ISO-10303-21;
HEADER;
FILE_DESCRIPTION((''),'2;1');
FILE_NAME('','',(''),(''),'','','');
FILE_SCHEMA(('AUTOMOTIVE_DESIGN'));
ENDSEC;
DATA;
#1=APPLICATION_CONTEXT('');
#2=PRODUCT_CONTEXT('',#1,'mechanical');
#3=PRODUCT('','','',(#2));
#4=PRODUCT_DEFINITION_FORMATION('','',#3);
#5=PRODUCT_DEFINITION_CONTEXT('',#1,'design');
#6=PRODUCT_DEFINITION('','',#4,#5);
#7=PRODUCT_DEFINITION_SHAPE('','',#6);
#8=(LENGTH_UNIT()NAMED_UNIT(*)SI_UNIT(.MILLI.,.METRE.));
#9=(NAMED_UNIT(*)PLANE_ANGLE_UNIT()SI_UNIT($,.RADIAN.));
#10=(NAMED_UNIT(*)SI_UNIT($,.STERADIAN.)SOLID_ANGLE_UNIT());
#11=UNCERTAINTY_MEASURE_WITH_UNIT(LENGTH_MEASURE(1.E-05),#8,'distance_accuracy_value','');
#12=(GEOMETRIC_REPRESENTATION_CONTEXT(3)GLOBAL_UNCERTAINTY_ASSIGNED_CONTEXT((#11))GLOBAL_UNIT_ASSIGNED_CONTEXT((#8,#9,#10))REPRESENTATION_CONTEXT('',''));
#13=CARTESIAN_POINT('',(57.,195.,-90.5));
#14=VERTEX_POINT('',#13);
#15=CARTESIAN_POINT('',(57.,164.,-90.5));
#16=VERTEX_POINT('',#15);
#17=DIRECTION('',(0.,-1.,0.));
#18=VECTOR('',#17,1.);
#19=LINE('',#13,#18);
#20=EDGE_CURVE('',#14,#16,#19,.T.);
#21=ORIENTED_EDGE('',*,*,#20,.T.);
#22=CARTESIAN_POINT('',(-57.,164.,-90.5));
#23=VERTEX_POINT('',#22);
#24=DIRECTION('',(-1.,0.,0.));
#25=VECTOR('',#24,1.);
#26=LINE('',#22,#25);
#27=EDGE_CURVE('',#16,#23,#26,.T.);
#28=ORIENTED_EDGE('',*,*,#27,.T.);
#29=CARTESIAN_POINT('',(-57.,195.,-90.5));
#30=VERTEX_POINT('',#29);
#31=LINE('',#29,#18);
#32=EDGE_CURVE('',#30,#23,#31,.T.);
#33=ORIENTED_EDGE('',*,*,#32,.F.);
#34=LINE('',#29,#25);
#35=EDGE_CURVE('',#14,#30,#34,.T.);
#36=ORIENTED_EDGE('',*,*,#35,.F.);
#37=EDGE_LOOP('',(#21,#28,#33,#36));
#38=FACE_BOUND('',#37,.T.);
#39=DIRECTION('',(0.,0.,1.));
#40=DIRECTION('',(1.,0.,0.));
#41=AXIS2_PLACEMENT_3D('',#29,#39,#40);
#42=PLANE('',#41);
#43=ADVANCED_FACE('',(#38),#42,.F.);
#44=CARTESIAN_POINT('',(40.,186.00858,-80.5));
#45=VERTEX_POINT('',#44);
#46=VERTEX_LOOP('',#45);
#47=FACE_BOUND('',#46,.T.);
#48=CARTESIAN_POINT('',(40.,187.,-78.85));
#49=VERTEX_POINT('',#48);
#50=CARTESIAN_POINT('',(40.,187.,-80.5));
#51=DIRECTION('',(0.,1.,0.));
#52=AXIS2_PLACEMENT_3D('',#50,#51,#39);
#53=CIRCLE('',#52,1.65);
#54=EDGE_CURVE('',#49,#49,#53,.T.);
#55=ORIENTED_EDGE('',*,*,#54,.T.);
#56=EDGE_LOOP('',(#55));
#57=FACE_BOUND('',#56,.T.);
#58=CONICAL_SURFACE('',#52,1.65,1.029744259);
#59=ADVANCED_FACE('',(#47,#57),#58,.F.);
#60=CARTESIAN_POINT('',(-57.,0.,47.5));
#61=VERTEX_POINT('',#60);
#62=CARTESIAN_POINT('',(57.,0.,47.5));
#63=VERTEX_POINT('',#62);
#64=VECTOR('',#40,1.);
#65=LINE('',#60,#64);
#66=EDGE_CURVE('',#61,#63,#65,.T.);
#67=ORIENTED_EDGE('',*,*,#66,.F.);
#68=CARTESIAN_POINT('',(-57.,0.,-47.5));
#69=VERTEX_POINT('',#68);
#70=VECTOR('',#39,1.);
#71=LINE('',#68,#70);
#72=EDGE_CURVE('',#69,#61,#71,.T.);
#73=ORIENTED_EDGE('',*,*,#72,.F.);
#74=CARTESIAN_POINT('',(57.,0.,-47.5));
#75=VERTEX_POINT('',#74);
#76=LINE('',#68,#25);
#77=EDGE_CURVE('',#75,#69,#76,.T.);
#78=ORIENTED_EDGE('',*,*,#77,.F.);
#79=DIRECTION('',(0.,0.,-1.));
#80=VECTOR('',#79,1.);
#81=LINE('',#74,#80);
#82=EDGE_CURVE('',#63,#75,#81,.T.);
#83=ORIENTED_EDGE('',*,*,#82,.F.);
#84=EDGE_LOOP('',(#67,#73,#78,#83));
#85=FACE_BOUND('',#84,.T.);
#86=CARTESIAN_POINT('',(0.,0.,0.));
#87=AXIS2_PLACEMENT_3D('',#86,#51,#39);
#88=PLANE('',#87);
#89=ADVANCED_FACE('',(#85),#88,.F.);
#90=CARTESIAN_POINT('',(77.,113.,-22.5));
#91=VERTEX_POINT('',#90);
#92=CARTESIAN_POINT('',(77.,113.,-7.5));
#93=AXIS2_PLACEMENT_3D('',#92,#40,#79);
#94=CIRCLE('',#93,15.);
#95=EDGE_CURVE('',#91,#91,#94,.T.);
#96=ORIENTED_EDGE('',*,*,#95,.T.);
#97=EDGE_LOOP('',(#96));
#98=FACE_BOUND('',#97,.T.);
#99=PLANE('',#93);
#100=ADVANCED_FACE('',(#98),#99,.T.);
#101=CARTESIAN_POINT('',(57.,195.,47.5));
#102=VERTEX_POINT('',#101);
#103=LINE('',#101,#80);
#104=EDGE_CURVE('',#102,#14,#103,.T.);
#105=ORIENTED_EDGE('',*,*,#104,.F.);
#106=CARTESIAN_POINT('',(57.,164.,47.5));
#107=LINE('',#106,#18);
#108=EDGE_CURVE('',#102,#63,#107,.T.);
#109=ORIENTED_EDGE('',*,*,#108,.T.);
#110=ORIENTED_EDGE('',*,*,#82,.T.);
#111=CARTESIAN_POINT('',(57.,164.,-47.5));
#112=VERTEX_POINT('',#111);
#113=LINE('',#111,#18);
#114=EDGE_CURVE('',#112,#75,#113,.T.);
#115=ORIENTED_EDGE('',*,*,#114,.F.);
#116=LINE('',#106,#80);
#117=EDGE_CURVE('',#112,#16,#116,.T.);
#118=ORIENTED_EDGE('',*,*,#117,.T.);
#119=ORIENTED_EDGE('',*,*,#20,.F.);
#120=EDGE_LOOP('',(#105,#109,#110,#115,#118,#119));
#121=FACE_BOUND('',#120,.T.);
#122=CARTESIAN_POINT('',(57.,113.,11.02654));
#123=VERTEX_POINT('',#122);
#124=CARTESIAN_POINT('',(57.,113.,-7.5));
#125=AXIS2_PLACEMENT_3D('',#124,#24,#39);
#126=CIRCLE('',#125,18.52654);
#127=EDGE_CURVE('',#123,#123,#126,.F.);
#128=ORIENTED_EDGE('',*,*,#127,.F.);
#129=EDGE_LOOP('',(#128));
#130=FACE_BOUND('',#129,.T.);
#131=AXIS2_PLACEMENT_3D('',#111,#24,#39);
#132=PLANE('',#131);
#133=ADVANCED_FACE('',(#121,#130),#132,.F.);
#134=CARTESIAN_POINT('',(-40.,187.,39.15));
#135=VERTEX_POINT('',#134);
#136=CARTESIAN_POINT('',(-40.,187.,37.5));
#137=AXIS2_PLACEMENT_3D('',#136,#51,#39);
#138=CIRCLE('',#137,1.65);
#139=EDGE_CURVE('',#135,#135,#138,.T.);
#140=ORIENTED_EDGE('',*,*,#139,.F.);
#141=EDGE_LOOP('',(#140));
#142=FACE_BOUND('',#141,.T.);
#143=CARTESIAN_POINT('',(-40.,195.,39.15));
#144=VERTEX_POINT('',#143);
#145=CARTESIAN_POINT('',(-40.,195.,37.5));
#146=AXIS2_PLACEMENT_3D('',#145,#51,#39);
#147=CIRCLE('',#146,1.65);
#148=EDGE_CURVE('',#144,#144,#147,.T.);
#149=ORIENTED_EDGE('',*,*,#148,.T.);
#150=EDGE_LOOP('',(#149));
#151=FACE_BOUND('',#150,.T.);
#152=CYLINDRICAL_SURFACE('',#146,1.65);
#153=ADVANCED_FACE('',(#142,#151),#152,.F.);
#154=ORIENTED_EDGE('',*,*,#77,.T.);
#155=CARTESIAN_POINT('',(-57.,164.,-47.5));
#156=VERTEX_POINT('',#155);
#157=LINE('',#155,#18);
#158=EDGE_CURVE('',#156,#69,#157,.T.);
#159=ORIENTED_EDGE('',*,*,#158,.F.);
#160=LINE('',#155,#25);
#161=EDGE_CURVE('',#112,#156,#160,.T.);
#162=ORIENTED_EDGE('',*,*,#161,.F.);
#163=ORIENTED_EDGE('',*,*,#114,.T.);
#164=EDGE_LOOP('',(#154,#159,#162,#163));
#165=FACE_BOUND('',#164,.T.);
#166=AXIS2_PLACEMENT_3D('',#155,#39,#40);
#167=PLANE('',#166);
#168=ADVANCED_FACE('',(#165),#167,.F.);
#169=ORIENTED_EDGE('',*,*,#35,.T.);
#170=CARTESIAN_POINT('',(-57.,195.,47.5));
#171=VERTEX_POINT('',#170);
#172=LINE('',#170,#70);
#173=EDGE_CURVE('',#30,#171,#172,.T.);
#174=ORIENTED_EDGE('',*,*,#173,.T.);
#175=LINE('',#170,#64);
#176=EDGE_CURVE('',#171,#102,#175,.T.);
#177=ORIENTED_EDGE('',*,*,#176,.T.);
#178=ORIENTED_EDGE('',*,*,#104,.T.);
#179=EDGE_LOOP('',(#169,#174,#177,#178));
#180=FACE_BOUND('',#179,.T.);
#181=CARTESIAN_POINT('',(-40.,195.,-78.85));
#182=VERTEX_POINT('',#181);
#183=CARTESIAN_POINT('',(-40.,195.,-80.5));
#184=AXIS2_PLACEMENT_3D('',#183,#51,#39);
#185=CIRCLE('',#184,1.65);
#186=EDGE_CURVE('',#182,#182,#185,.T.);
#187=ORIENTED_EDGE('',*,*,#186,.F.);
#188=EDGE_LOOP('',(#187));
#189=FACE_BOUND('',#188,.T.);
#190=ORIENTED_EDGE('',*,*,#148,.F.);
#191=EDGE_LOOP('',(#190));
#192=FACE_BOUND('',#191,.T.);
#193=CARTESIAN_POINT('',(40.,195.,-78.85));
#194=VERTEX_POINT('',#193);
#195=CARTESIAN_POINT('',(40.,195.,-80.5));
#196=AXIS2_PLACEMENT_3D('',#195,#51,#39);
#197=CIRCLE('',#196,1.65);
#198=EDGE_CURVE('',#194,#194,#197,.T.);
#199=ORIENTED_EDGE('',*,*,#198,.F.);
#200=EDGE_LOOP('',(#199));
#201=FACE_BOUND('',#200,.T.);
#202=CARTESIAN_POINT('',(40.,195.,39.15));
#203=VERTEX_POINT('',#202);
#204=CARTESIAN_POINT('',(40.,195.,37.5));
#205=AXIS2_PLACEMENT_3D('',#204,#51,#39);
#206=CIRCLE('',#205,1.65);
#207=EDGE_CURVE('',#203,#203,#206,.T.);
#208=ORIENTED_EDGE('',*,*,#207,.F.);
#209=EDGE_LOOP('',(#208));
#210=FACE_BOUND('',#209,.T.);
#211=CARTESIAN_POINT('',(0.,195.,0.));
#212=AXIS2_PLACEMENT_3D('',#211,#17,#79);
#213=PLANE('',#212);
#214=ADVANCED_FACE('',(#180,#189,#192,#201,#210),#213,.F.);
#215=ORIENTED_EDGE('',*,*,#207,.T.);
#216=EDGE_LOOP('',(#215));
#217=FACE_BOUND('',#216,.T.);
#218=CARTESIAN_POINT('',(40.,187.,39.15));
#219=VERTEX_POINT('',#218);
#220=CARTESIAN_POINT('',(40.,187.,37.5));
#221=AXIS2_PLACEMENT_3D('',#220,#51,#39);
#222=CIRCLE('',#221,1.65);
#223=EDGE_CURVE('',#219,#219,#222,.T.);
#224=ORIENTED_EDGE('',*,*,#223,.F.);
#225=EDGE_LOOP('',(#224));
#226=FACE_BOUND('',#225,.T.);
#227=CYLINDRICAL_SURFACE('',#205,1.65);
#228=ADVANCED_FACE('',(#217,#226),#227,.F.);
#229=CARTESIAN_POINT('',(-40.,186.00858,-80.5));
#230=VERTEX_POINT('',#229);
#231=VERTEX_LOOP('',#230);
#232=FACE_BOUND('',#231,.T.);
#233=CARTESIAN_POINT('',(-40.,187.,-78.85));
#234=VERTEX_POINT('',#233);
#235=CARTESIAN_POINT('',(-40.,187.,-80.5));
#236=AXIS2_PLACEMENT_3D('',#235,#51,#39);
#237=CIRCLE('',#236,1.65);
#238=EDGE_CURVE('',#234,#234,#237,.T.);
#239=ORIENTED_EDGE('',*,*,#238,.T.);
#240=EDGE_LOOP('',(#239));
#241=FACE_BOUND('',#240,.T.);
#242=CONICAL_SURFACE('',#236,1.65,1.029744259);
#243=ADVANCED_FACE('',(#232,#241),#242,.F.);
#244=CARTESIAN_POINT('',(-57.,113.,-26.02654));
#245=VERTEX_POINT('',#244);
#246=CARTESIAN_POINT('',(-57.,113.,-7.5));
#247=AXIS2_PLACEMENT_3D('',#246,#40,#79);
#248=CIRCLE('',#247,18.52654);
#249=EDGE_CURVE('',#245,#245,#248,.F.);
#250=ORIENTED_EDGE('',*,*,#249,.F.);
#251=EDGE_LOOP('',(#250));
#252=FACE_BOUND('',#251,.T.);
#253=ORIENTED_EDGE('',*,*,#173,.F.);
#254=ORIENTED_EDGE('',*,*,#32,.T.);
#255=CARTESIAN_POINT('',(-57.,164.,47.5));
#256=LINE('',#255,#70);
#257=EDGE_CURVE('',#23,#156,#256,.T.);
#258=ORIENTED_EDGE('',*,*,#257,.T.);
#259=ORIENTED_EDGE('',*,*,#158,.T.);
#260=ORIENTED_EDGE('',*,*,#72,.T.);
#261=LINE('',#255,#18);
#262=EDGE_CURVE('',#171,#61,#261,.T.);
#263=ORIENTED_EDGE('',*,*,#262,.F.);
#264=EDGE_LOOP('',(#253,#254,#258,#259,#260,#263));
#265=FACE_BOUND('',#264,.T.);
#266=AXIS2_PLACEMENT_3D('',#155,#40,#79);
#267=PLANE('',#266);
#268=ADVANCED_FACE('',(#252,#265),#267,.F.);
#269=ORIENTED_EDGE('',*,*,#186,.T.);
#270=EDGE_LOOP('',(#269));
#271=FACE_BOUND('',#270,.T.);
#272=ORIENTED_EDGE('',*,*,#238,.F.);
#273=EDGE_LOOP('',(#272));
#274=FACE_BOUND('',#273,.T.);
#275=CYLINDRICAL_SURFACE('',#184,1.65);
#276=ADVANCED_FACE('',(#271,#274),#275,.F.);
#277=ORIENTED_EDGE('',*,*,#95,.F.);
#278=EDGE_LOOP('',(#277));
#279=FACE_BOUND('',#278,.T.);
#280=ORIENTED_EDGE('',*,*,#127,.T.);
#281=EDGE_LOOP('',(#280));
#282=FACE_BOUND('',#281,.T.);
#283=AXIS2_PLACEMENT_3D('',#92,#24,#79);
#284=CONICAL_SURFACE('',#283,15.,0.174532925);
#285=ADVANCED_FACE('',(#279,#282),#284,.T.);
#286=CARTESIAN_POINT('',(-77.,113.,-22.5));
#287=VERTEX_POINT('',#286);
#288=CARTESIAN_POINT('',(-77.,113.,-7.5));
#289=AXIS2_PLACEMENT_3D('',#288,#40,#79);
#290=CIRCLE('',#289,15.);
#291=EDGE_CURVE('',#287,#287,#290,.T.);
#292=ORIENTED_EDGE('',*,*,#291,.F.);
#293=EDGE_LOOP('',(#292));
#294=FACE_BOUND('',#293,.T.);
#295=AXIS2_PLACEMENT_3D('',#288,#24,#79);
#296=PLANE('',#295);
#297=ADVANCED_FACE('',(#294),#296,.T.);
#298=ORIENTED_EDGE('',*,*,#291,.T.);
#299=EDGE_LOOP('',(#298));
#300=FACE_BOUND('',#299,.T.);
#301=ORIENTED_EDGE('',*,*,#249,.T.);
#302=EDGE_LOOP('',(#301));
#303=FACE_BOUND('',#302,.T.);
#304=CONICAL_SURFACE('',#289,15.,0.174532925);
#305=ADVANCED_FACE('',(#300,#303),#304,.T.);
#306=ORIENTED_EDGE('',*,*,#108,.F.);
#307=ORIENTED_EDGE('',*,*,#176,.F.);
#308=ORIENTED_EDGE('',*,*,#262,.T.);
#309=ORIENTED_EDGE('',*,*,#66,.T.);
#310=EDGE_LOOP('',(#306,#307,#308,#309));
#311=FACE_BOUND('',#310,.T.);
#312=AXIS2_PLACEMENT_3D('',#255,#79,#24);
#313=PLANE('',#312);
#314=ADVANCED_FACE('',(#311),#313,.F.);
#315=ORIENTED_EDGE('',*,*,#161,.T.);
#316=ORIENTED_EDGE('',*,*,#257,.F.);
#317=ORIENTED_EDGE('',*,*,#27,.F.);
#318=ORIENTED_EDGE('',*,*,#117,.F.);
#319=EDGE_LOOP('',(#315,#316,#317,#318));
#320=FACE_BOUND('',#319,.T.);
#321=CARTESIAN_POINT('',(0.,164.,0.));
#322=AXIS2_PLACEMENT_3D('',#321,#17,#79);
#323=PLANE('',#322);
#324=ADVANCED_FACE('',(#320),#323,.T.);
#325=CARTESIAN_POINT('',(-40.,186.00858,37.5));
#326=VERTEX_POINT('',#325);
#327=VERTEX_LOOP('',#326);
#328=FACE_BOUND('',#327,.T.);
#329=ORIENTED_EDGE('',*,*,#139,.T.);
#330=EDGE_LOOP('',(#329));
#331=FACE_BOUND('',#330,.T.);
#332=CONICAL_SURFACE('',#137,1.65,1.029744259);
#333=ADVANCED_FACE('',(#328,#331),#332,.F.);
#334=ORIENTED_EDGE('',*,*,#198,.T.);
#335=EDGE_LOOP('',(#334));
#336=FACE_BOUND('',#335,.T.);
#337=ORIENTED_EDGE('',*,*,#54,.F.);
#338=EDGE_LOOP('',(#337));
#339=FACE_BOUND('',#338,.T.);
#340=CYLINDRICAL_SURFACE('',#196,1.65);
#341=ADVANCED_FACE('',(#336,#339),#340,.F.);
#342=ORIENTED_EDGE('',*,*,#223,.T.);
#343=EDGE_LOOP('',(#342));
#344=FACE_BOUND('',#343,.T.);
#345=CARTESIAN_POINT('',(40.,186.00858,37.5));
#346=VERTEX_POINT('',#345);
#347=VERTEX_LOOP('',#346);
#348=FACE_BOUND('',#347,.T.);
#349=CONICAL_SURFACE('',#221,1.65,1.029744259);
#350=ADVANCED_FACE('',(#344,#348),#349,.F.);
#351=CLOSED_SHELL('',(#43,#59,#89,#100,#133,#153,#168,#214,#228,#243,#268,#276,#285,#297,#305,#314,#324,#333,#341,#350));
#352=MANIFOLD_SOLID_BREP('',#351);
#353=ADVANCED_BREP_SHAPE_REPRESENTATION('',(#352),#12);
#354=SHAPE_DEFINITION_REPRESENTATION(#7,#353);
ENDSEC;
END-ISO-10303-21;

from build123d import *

# Parameters (mm, degrees)
SKETCH_1_W                  = 114
SKETCH_1_H                  = 95
EXTRUDE_1_DEPTH             = 164
SKETCH_2_W                  = 114
SKETCH_2_H                  = 138
EXTRUDE_2_DEPTH             = 31
PATTERN_LINEAR_1_COUNT      = 2
PATTERN_LINEAR_1_PITCH      = 118
PATTERN_LINEAR_1_COUNT_DIR2 = 2
PATTERN_LINEAR_1_PITCH_DIR2 = 80
SKETCH_6_R                  = 15
EXTRUDE_3_DEPTH             = 20
DRAFT_1_ANGLE               = 10


with BuildPart() as part:
    # 草图1 → 凸台-拉伸1 (new body)
    with BuildSketch(Plane(origin=(0, 0, 0), x_dir=(1, 0, 0), z_dir=(0, 1, 0))):
        Rectangle(SKETCH_1_W, SKETCH_1_H)
    extrude(amount=EXTRUDE_1_DEPTH)

    # 草图2 → 凸台-拉伸2 (add)
    with BuildSketch(Plane(origin=(0, 164, 0), x_dir=(1, 0, 0), z_dir=(0, 1, 0))):
        with Locations((0, 21.5)):
            Rectangle(SKETCH_2_W, SKETCH_2_H)
    extrude(amount=EXTRUDE_2_DEPTH)

    # 草图5 → M4 螺纹孔1 (revolve, cut)
    with BuildSketch(Plane(origin=(-40, 195, 37.5), x_dir=(0, 0, 1), z_dir=(1, 0, 0))):
        Polygon((0, 0), (0, 8.991420021), (1.65, 8), (1.65, 0), align=None)
    hole_wizard_m4_1 = revolve(axis=Axis((-40, 201.35, 37.5), (0, -1, 0)), mode=Mode.SUBTRACT)

    # 阵列(线性)1: Hole Wizard M4 _1 2 × 2
    with Locations(*[(j * PATTERN_LINEAR_1_PITCH_DIR2, 0, -i * PATTERN_LINEAR_1_PITCH) for i in range(PATTERN_LINEAR_1_COUNT) for j in range(PATTERN_LINEAR_1_COUNT_DIR2) if (i, j) != (0, 0)]):
        add(hole_wizard_m4_1, mode=Mode.SUBTRACT)

    # 草图6 → 凸台-拉伸3 (add)
    with BuildSketch(Plane(origin=(57, 0, 0), x_dir=(0, 0, -1), z_dir=(1, 0, 0))):
        with Locations((7.5, 113)):
            Circle(SKETCH_6_R)
    extrude(amount=EXTRUDE_3_DEPTH)

    # 拔模1
    draft_1_faces = [part.faces().sort_by_distance(p)[0] for p in [
        (67, 113, 7.5),
    ]]
    draft(draft_1_faces, Plane(origin=(77, 113, -7.5), x_dir=(0, 0, 1), z_dir=(1, 0, 0)), DRAFT_1_ANGLE)

    # 镜向1: part across plane


with BuildPart() as part_1:
    add(part.part)
    add(part.part.mirror(Plane(origin=(0, 0, 0), x_dir=(0, 0, 1), z_dir=(1, 0, 0))))


solid = part_1.part
